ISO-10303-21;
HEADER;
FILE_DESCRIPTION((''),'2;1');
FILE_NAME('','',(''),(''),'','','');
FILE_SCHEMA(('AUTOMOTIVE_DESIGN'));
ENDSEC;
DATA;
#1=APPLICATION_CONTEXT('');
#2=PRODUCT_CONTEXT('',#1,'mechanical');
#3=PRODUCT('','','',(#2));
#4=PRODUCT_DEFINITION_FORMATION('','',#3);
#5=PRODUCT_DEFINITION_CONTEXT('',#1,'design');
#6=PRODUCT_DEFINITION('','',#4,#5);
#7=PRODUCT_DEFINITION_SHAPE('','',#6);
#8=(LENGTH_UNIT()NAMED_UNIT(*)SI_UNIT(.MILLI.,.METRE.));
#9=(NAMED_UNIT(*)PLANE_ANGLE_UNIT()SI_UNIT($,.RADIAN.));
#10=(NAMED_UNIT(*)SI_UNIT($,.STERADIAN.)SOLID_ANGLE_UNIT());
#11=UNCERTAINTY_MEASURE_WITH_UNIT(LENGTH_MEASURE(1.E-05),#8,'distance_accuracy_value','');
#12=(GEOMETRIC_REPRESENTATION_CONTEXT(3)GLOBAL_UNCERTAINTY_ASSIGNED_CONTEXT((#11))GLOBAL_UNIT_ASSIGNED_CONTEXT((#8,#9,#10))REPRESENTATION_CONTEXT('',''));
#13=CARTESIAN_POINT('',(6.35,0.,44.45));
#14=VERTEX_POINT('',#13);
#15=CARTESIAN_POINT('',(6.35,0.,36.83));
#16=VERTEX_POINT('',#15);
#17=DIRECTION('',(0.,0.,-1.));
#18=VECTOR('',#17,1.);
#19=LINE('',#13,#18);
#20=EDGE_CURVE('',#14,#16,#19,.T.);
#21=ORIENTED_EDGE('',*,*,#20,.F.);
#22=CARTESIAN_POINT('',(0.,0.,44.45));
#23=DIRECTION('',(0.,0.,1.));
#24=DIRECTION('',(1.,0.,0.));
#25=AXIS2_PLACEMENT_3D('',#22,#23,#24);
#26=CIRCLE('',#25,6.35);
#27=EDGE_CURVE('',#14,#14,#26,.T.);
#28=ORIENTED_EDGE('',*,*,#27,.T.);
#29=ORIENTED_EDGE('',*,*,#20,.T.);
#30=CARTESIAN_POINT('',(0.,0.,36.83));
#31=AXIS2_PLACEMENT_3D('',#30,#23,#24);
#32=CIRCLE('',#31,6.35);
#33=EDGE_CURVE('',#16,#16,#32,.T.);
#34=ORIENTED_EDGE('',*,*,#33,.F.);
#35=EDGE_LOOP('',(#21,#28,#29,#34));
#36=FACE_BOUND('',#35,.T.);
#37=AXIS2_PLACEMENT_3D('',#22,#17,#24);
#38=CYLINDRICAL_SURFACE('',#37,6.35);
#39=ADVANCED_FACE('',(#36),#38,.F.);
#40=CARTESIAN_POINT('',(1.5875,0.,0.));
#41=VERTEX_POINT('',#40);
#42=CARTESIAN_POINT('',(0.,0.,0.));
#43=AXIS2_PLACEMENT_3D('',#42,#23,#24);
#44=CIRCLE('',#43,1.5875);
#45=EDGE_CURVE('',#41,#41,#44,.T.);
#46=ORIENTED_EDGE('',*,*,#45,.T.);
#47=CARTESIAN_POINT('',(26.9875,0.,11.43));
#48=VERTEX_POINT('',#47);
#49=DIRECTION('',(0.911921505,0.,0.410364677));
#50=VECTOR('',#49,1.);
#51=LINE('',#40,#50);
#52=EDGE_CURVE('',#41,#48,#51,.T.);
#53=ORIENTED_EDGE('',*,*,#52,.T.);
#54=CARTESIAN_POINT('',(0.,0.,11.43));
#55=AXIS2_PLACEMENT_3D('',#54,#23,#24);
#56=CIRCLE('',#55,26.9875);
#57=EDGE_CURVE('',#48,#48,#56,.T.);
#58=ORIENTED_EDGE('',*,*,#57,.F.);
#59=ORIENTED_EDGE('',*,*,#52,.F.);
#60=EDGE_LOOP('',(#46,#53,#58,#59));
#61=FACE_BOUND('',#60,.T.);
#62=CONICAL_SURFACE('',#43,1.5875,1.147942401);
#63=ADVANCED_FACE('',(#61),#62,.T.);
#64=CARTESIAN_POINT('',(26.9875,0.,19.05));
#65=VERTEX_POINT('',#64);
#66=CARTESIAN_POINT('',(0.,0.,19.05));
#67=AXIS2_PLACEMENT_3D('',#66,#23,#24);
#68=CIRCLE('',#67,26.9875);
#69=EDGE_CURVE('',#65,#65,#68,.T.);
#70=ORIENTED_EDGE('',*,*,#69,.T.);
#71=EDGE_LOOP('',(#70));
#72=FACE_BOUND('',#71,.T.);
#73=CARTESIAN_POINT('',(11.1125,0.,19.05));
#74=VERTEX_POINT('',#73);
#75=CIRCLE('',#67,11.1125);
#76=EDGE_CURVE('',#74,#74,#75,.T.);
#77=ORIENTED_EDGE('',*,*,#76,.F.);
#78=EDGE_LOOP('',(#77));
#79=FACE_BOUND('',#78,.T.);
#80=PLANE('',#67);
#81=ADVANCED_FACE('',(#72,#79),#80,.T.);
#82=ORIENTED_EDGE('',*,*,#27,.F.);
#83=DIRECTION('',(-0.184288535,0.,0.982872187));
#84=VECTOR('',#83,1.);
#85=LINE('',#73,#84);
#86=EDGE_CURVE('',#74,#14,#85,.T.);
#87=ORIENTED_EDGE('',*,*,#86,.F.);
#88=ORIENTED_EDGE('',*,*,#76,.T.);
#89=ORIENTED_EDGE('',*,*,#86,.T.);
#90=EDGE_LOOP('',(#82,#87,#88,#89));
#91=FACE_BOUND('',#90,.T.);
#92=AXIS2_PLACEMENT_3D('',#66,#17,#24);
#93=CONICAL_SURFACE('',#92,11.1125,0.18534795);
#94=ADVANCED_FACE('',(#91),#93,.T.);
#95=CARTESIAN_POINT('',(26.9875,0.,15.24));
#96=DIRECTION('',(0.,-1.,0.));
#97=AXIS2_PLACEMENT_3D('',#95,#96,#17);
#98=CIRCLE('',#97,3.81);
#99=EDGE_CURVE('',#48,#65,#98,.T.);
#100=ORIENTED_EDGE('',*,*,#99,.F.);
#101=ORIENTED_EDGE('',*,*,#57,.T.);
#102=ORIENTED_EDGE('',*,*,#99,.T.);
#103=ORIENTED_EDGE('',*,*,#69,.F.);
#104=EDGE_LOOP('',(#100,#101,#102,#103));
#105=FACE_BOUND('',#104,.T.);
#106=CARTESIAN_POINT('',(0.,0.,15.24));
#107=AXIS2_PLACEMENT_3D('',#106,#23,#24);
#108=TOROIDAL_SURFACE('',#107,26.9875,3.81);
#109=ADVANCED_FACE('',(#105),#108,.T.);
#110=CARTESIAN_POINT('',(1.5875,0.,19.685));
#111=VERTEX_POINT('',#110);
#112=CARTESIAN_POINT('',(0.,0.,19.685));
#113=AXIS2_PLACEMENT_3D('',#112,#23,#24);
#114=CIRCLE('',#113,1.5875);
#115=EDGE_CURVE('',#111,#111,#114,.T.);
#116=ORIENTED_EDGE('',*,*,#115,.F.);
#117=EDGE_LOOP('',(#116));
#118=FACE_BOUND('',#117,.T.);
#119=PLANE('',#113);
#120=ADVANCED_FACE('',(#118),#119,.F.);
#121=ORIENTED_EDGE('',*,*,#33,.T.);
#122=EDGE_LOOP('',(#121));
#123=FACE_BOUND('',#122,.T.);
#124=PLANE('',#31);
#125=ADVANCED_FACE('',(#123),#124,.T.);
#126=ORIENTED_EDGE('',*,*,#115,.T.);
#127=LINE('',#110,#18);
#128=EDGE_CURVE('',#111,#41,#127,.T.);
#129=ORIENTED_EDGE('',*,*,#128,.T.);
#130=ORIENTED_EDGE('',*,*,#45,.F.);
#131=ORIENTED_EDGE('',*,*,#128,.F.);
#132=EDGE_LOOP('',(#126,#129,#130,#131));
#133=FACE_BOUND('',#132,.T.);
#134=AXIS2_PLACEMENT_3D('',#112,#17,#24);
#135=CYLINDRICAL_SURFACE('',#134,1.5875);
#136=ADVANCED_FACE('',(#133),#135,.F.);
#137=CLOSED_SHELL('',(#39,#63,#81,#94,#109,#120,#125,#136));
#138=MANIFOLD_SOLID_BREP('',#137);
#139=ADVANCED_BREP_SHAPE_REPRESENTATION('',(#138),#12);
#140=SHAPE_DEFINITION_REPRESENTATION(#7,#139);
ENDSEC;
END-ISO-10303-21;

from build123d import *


with BuildPart() as f1:
    # F0 (on Front) → F1 (revolve)
    with BuildSketch(Plane.XZ):
        with BuildLine():
            Line((1.5875, 0), (26.9875, 11.43))
            ThreePointArc((26.9875, 11.43), (30.7975, 15.24), (26.9875, 19.05))
            Line((26.9875, 19.05), (11.1125, 19.05))
            Line((11.1125, 19.05), (6.35, 44.45))
            Line((6.35, 44.45), (6.35, 36.83))
            Line((6.35, 36.83), (0, 36.83))
            Line((0, 36.83), (0, 31.75))
            Line((0, 31.75), (0, 19.685))
            Line((0, 19.685), (1.5875, 19.685))
            Line((1.5875, 19.685), (1.5875, 0))
        make_face()
    revolve(axis=Axis((0, 0, 25.7175), (0, 0, 1)))


solid = f1.part
